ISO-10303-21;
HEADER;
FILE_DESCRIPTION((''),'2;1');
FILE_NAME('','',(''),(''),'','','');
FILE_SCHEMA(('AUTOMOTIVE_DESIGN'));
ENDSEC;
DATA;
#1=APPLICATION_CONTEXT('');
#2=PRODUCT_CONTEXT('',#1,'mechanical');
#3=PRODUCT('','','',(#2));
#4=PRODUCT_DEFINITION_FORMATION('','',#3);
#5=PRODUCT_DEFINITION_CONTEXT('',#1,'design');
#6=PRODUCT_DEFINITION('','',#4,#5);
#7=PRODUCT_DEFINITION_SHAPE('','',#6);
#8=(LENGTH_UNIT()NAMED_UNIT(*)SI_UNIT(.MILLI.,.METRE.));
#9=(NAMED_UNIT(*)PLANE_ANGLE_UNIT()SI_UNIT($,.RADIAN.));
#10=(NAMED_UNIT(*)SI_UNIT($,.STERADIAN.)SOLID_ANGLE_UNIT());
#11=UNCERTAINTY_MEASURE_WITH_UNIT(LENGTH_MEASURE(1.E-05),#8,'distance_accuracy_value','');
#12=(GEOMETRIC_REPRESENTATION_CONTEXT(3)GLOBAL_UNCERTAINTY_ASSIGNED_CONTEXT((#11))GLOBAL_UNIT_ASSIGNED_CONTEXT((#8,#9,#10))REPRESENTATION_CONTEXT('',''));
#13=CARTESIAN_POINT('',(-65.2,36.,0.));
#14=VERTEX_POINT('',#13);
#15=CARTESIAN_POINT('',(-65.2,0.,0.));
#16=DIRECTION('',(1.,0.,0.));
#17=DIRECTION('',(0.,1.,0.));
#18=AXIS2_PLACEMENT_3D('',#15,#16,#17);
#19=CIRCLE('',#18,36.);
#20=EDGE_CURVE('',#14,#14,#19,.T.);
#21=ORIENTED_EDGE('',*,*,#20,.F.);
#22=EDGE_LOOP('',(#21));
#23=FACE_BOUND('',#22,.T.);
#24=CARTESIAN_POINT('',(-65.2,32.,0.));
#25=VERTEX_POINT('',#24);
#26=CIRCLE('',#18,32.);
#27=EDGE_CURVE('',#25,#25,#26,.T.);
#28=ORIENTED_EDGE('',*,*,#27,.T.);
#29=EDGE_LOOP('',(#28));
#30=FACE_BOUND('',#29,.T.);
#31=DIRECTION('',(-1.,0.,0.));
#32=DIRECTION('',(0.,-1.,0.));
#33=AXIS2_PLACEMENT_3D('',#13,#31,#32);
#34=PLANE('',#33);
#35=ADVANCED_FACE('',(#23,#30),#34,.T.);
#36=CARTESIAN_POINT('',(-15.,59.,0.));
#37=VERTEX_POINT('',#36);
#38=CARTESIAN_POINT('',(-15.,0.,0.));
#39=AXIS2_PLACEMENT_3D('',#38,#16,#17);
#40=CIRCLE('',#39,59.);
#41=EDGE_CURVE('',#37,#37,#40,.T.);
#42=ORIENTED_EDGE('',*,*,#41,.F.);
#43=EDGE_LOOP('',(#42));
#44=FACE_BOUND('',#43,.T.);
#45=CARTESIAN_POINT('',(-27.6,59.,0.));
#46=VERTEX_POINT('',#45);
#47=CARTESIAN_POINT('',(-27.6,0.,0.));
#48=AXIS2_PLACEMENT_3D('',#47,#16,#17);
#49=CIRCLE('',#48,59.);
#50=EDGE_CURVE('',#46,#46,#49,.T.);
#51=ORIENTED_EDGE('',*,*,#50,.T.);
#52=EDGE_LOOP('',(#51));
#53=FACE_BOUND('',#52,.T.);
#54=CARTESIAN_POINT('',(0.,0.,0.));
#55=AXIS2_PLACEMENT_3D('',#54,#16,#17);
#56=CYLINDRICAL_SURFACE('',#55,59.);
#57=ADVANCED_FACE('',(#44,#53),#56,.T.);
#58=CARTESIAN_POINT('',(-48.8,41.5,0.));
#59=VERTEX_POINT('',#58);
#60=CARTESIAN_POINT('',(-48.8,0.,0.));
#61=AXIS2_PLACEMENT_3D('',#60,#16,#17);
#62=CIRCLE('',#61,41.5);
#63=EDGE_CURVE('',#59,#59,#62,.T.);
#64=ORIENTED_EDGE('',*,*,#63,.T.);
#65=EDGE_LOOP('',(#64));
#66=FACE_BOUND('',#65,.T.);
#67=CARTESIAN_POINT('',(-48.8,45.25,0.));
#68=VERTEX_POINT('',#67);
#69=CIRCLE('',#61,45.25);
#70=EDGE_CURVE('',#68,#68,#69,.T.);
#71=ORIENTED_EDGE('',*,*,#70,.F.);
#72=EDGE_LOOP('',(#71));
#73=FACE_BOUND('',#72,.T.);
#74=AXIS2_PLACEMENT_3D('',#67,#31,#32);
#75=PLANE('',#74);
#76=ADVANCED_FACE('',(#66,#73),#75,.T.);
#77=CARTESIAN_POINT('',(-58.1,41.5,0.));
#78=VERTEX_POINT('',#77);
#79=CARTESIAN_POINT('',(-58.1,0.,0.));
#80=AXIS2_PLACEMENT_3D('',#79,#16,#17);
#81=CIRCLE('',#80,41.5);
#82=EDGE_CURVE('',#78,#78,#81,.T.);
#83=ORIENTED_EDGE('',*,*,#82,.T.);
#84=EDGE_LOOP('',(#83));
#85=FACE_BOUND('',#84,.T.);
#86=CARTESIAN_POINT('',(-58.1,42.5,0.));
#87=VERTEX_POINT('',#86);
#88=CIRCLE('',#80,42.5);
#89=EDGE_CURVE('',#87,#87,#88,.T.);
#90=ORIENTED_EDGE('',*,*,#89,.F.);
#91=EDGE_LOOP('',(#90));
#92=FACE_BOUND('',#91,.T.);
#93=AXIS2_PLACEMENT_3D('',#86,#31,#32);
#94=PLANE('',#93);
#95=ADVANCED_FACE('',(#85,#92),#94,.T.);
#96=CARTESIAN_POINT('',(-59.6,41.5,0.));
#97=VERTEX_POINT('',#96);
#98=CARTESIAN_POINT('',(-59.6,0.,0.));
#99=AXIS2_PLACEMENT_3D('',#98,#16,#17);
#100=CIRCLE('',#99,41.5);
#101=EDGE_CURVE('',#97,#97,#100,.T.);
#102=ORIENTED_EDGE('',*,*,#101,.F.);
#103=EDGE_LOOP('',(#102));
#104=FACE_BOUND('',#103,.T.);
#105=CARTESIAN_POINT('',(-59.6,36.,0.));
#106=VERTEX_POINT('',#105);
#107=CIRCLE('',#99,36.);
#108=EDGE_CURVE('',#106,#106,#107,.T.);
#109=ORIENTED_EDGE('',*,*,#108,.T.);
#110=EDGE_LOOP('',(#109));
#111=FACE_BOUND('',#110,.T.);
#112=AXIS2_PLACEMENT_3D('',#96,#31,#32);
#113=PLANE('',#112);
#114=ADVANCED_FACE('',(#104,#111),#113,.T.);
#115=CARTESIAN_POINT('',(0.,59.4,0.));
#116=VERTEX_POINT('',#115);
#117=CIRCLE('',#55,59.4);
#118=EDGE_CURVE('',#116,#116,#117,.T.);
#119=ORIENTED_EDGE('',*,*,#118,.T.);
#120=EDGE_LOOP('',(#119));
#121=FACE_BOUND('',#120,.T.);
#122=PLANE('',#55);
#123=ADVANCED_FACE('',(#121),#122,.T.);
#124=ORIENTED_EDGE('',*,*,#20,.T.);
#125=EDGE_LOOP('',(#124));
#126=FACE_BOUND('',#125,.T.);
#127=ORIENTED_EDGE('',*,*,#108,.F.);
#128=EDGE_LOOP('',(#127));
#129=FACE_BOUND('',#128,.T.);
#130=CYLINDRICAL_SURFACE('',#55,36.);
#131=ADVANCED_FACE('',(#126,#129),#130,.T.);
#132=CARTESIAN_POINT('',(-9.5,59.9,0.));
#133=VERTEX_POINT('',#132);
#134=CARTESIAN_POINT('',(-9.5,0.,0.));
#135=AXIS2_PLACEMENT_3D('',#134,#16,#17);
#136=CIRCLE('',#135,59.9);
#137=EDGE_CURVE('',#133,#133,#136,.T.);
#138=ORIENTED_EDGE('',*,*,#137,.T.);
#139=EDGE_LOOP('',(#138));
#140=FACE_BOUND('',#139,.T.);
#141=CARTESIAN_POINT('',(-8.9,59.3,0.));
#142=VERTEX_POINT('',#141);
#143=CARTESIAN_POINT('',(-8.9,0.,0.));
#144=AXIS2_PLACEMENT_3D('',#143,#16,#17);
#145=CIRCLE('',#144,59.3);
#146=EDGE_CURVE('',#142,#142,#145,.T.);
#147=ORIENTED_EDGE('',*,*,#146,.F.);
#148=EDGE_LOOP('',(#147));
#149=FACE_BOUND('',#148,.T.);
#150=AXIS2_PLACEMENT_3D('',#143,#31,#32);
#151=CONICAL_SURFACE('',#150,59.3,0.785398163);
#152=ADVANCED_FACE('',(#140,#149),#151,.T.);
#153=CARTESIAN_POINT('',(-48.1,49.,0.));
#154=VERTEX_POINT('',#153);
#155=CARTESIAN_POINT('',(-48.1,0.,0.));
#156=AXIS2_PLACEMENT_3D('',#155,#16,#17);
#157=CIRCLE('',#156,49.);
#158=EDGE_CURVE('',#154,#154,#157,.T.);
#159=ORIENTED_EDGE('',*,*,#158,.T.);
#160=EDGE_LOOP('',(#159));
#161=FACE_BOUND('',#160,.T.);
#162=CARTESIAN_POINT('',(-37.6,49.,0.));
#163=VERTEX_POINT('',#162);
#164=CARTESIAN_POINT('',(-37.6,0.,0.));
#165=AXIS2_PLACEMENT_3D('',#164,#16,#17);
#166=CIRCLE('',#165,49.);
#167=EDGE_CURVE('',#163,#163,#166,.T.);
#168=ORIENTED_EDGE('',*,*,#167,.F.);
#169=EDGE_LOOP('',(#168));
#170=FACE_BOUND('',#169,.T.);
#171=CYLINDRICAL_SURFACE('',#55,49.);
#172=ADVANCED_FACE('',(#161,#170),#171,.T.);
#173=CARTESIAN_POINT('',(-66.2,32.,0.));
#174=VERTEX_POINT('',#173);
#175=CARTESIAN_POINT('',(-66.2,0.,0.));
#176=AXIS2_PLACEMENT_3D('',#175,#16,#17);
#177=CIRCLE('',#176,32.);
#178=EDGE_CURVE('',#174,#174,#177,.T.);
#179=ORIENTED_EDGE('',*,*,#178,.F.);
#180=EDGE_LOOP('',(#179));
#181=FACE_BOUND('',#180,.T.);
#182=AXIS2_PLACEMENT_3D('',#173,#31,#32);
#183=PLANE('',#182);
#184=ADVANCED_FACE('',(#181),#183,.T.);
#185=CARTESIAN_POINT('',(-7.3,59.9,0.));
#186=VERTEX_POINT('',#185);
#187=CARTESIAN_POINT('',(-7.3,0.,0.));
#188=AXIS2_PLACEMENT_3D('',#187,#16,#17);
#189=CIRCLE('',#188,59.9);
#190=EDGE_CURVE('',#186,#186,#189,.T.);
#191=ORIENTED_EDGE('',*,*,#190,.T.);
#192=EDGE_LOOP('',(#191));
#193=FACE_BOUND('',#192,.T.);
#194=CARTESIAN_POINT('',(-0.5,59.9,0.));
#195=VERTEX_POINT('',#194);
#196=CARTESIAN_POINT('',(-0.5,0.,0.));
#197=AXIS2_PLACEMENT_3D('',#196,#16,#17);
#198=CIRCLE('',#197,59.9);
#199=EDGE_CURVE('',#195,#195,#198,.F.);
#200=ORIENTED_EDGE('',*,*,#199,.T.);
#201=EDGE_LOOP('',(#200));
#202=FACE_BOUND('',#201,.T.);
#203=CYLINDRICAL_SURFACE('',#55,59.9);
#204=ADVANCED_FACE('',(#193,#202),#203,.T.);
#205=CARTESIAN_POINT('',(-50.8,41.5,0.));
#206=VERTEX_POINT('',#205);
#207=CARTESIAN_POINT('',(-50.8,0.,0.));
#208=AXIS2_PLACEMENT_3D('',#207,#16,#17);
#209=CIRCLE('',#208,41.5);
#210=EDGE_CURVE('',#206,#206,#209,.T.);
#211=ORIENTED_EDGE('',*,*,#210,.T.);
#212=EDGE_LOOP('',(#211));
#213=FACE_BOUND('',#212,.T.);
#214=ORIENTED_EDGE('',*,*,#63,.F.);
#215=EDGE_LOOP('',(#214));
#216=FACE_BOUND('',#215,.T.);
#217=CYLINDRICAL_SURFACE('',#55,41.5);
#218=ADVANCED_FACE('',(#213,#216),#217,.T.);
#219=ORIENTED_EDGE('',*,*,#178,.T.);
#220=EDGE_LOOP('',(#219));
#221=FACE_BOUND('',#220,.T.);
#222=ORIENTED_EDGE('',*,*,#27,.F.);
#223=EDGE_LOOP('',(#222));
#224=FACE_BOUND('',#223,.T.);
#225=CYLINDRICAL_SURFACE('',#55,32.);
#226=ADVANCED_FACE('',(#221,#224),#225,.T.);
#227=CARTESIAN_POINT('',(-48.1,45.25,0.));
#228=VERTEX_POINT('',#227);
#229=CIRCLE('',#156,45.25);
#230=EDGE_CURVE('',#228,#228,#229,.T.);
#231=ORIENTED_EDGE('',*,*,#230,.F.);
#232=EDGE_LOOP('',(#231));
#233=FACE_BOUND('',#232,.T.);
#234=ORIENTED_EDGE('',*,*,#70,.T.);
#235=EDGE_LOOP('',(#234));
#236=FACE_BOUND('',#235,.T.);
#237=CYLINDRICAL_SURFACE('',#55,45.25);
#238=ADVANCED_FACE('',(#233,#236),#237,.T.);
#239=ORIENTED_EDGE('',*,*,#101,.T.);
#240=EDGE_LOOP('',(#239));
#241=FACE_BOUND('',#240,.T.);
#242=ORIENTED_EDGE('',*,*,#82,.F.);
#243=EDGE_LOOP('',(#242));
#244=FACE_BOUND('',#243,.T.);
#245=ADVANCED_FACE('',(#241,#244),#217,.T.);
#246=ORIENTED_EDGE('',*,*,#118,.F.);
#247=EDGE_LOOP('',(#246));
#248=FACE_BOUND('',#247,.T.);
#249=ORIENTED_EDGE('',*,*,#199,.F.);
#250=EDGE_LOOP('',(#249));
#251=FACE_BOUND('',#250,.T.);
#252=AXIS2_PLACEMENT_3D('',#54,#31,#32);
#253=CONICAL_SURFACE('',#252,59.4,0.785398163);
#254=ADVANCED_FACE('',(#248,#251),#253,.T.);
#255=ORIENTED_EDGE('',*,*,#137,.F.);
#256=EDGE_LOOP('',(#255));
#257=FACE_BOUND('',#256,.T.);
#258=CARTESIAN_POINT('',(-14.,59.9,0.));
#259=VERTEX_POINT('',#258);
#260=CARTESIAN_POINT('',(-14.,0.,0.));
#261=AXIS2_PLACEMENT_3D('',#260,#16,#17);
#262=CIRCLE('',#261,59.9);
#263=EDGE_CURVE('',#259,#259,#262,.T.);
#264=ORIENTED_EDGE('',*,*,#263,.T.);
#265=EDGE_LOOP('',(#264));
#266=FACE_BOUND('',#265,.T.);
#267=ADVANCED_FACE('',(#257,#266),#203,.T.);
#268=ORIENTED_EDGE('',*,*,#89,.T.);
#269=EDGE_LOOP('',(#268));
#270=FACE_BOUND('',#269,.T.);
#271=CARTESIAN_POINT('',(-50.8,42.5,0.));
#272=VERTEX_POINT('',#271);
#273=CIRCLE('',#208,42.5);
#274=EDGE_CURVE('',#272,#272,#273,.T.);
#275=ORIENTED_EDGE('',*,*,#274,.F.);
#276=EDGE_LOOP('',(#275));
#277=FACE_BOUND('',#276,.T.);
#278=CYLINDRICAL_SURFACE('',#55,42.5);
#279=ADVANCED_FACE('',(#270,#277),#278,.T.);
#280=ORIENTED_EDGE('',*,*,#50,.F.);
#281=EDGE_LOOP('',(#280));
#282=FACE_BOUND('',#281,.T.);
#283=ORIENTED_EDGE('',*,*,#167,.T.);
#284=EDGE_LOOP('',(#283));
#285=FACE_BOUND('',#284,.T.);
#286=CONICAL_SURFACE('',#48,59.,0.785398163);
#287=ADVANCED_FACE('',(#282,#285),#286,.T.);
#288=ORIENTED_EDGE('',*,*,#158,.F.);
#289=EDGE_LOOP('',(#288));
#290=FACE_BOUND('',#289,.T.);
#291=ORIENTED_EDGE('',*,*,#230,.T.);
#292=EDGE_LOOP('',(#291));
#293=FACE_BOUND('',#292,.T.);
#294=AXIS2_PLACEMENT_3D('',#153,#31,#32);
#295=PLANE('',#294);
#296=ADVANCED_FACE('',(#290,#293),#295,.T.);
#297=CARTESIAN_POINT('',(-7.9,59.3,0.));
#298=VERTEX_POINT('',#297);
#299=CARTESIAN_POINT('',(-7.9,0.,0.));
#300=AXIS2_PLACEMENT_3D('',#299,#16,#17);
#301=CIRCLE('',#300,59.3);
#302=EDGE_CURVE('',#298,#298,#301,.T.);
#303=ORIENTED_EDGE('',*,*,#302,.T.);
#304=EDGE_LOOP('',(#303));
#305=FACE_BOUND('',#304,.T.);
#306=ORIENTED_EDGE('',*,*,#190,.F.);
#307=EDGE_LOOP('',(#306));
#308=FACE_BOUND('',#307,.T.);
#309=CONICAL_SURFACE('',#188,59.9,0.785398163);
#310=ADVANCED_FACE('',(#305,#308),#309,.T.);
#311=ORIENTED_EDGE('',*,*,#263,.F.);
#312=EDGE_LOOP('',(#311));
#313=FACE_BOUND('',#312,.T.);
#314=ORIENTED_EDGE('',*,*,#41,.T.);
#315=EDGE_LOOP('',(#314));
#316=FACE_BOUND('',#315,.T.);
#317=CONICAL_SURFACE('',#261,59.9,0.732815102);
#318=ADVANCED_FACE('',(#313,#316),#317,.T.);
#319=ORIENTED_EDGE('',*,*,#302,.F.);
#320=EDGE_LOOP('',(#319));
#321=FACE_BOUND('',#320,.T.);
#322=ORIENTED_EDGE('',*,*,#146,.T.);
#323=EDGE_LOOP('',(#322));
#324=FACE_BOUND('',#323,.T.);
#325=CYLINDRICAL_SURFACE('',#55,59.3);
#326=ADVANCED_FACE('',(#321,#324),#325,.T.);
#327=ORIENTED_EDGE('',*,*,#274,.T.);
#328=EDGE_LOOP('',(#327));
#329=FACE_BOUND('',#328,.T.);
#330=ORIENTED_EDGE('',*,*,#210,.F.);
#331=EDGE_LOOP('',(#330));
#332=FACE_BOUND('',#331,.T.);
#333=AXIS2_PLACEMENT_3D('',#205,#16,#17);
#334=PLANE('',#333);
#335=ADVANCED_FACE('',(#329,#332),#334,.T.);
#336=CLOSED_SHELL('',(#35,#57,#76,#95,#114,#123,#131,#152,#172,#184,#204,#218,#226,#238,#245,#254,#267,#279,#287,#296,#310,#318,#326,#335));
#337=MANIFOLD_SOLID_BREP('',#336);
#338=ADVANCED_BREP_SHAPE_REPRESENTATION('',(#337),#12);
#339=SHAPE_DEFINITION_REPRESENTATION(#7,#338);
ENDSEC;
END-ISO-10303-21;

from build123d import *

# Parameters (mm, degrees)
CHAMFER1_SIZE = 0.5


with BuildPart() as part:
    # Sketch1 → Revolve1 (revolve)
    with BuildSketch(Plane.XY):
        Polygon((0, 0), (0, 59.9), (-7.3, 59.9), (-7.9, 59.3), (-8.9, 59.3), (-9.5, 59.9), (-14, 59.9), (-15, 59), (-27.6, 59), (-37.6, 49), (-48.1, 49), (-48.1, 45.25), (-48.8, 45.25), (-48.8, 41.5), (-50.8, 41.5), (-50.8, 42.5), (-58.1, 42.5), (-58.1, 41.5), (-59.6, 41.5), (-59.6, 36), (-65.2, 36), (-65.2, 32), (-66.2, 32), (-66.2, 0), align=None)
    revolve(axis=Axis((0, 0, 0), (-1, 0, 0)))

    # Chamfer1
    chamfer1_edges = [part.edges().sort_by_distance(p)[0] for p in [
        (0, -59.9, 0),
    ]]
    chamfer(chamfer1_edges, length=CHAMFER1_SIZE)


solid = part.part
